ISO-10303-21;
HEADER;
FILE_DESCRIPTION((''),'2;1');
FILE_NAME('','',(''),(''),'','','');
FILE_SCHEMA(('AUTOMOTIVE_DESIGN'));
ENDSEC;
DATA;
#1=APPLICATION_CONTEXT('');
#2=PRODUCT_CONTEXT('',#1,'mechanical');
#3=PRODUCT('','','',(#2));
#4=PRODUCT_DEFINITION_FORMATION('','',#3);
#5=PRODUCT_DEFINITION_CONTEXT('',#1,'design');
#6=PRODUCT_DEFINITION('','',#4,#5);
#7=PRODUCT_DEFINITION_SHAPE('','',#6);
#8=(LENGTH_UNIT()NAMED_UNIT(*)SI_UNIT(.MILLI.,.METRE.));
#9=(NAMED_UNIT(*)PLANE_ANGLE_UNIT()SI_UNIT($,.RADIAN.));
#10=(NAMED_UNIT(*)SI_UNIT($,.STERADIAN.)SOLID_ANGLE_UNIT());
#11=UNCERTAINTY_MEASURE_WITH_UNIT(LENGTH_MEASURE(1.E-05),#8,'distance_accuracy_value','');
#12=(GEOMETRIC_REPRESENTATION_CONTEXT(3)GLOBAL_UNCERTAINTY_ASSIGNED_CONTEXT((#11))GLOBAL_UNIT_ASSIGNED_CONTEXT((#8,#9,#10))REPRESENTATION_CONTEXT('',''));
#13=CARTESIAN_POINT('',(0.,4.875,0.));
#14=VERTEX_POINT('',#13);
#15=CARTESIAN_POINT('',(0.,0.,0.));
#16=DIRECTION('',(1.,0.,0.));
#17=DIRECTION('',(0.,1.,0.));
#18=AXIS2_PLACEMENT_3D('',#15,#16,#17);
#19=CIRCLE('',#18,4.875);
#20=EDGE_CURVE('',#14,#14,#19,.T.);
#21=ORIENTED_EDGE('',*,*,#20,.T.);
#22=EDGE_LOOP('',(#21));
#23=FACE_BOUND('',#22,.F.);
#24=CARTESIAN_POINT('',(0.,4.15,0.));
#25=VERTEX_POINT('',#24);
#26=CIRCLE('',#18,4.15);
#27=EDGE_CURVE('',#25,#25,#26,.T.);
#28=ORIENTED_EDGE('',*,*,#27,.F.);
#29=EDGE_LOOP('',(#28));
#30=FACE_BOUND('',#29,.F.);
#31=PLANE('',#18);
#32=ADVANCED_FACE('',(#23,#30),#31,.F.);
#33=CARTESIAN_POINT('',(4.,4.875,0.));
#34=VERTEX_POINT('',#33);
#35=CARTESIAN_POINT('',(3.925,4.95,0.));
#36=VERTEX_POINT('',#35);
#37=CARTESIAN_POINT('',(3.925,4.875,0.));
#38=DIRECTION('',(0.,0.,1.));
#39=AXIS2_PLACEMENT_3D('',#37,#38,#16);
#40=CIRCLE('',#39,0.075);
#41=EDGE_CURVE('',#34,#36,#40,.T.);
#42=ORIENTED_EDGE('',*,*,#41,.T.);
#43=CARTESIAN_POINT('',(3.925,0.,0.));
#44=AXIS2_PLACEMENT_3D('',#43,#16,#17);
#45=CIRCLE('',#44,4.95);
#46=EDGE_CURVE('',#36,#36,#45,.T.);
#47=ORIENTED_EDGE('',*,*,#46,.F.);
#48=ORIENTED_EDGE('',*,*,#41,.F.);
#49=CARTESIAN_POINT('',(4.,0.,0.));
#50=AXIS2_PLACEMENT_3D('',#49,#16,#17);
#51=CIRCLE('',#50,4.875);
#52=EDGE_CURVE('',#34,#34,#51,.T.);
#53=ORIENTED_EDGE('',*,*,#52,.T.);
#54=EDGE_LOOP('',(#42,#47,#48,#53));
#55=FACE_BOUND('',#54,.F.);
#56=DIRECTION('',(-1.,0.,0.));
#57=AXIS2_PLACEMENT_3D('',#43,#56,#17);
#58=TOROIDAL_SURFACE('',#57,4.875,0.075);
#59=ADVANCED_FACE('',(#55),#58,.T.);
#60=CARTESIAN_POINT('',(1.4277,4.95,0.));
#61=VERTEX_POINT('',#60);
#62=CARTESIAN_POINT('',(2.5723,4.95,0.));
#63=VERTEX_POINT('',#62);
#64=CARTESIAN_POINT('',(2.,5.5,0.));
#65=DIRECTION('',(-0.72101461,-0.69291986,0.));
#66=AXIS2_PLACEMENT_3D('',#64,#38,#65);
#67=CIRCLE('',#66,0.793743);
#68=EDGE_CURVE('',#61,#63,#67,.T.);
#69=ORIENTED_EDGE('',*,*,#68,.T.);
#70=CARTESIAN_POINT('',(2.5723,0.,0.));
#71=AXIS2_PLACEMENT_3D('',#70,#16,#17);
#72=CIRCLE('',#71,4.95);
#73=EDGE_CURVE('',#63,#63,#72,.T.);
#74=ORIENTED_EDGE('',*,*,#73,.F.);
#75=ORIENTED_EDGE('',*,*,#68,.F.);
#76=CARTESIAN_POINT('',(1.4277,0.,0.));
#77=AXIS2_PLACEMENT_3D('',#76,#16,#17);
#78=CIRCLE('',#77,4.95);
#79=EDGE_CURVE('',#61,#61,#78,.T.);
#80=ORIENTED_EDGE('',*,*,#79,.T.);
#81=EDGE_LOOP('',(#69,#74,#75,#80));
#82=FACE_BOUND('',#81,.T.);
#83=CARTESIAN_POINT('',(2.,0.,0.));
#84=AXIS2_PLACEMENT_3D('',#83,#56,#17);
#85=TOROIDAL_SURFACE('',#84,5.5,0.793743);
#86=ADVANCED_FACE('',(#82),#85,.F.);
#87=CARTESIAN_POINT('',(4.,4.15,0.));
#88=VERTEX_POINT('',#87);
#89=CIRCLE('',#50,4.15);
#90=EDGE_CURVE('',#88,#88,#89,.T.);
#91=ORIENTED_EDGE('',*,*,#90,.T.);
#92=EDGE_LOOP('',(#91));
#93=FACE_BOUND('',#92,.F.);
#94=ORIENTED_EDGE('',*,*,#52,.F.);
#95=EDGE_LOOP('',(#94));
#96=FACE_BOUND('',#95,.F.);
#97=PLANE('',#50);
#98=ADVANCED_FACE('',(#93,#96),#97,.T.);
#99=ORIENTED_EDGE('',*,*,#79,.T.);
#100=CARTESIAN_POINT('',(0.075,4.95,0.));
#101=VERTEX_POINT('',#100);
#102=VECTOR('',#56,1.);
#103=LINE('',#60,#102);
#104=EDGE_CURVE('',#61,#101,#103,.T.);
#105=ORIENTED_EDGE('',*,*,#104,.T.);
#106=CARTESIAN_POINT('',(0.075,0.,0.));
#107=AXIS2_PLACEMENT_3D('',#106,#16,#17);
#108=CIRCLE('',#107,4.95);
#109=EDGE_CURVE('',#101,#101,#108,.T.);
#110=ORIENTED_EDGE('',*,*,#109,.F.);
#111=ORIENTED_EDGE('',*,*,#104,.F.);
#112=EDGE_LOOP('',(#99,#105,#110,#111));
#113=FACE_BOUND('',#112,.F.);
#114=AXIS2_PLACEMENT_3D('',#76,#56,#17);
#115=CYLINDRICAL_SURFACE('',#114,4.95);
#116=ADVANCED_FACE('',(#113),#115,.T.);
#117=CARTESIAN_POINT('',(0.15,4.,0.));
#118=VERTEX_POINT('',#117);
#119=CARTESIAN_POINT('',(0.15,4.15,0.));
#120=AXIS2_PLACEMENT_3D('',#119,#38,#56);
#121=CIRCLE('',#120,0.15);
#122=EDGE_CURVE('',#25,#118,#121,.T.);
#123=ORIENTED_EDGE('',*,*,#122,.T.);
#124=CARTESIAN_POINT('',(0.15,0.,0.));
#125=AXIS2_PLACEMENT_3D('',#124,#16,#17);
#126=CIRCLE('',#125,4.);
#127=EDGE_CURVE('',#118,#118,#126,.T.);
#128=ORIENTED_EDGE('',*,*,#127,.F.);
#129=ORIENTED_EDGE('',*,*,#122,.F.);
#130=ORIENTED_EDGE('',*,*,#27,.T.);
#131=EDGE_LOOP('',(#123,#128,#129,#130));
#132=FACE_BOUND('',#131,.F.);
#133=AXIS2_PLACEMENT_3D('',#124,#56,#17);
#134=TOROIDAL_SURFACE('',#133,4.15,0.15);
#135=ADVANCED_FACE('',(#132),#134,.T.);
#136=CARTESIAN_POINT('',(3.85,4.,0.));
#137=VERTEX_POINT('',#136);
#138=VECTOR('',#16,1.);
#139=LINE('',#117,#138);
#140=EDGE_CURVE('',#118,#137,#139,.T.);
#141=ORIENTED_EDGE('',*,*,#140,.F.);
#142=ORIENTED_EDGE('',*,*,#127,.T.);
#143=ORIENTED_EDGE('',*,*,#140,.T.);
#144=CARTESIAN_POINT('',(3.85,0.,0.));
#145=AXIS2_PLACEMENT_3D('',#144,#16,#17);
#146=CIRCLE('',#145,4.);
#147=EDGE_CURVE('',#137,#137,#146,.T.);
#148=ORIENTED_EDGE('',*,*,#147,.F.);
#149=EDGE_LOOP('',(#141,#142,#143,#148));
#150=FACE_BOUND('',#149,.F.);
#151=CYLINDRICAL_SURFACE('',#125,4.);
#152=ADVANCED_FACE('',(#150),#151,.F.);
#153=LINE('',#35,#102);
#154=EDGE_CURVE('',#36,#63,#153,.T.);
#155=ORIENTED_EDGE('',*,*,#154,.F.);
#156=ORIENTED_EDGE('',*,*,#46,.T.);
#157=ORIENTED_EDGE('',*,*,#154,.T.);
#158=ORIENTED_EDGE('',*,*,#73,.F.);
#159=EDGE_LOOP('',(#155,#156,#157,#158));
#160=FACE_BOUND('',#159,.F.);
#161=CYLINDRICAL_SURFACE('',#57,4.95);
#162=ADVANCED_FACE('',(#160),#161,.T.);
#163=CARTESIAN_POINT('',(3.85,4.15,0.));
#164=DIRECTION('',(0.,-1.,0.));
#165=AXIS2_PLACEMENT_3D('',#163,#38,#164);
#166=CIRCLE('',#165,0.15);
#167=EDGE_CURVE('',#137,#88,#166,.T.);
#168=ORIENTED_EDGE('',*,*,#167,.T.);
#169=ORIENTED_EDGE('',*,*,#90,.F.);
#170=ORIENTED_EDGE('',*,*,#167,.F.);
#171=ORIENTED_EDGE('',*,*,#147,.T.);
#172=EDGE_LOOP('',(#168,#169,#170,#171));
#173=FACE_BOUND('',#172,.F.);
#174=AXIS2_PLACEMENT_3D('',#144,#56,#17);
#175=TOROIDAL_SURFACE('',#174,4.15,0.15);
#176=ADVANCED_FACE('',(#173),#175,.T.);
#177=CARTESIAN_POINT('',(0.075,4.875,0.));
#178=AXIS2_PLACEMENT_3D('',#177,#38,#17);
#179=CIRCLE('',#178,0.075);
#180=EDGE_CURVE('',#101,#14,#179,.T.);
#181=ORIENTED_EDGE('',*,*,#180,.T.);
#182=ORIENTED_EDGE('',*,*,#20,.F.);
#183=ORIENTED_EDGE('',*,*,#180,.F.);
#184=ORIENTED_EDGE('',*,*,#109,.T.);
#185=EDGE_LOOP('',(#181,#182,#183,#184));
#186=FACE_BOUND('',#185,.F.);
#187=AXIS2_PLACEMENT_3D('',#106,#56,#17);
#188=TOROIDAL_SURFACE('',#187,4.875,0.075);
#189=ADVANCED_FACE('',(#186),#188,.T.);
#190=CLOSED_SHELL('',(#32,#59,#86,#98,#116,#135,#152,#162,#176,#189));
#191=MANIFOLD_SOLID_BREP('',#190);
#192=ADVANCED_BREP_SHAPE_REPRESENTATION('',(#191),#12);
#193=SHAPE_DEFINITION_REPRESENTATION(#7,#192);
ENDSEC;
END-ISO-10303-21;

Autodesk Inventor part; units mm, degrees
sketch "Sketch_5" plane through (0, 0, 0) normal (0, 0, 1) x (1, 0, 0)
  line L0 (4, 0) -> (0, 0)
  line L1 (0, 4.875) -> (0, 4.15)
  arc A0 (0, 4.15) -> (0.15, 4) centre (0.15, 4.15) ccw
  line L2 (0.15, 4) -> (3.85, 4)
  arc A1 (3.85, 4) -> (4, 4.15) centre (3.85, 4.15) ccw
  line L3 (4, 4.15) -> (4, 4.875)
  arc A2 (4, 4.875) -> (3.925, 4.95) centre (3.925, 4.875) ccw
  line L4 (3.925, 4.95) -> (2.5723, 4.95)
  arc A3 (1.4277, 4.95) -> (2.5723, 4.95) centre (2, 5.5) ccw
  line L5 (1.4277, 4.95) -> (0.075, 4.95)
  arc A4 (0.075, 4.95) -> (0, 4.875) centre (0.075, 4.875) ccw
revolve "Revolution1" add sketch "Sketch_5" angle 360 about axis through (4, 0, 0) along (1, 0, 0)
ref_plane "1_XY" through (2, 0, 0) normal (1, 0, 0) x (0, 0, -1)
ref_plane "1_YZ" through (2, 0, 0) normal (0, 0, -1) x (0, 1, 0)
ref_plane "1_ZX" through (2, 0, 0) normal (0, 1, 0) x (1, 0, 0)
ref_plane "Dummy_XY" through (0, 0, 0) normal (1, 0, 0) x (0, 0, -1)
ref_plane "Dummy_YZ" through (0, 0, 0) normal (0, 0, -1) x (0, 1, 0)
ref_plane "Dummy_ZX" through (0, 0, 0) normal (0, 1, 0) x (1, 0, 0)
ref_plane "shield1_XY" through (0.4, 0, 0) normal (1, 0, 0) x (0, 0, -1)
ref_plane "shield1_YZ" through (0.4, 0, 0) normal (0, 0, -1) x (0, 1, 0)
ref_plane "shield1_ZX" through (0.4, 0, 0) normal (0, 1, 0) x (1, 0, 0)
ref_plane "shield2_XY" through (3.6, 0, 0) normal (-1, 0, 0) x (0, 0, -1)
ref_plane "shield2_YZ" through (3.6, 0, 0) normal (0, 0, -1) x (0, -1, 0)
ref_plane "shield2_ZX" through (3.6, 0, 0) normal (0, -1, 0) x (-1, 0, 0)
properties part number "LF-1480ZZ_ir" material "鋼、炭素鋼"
